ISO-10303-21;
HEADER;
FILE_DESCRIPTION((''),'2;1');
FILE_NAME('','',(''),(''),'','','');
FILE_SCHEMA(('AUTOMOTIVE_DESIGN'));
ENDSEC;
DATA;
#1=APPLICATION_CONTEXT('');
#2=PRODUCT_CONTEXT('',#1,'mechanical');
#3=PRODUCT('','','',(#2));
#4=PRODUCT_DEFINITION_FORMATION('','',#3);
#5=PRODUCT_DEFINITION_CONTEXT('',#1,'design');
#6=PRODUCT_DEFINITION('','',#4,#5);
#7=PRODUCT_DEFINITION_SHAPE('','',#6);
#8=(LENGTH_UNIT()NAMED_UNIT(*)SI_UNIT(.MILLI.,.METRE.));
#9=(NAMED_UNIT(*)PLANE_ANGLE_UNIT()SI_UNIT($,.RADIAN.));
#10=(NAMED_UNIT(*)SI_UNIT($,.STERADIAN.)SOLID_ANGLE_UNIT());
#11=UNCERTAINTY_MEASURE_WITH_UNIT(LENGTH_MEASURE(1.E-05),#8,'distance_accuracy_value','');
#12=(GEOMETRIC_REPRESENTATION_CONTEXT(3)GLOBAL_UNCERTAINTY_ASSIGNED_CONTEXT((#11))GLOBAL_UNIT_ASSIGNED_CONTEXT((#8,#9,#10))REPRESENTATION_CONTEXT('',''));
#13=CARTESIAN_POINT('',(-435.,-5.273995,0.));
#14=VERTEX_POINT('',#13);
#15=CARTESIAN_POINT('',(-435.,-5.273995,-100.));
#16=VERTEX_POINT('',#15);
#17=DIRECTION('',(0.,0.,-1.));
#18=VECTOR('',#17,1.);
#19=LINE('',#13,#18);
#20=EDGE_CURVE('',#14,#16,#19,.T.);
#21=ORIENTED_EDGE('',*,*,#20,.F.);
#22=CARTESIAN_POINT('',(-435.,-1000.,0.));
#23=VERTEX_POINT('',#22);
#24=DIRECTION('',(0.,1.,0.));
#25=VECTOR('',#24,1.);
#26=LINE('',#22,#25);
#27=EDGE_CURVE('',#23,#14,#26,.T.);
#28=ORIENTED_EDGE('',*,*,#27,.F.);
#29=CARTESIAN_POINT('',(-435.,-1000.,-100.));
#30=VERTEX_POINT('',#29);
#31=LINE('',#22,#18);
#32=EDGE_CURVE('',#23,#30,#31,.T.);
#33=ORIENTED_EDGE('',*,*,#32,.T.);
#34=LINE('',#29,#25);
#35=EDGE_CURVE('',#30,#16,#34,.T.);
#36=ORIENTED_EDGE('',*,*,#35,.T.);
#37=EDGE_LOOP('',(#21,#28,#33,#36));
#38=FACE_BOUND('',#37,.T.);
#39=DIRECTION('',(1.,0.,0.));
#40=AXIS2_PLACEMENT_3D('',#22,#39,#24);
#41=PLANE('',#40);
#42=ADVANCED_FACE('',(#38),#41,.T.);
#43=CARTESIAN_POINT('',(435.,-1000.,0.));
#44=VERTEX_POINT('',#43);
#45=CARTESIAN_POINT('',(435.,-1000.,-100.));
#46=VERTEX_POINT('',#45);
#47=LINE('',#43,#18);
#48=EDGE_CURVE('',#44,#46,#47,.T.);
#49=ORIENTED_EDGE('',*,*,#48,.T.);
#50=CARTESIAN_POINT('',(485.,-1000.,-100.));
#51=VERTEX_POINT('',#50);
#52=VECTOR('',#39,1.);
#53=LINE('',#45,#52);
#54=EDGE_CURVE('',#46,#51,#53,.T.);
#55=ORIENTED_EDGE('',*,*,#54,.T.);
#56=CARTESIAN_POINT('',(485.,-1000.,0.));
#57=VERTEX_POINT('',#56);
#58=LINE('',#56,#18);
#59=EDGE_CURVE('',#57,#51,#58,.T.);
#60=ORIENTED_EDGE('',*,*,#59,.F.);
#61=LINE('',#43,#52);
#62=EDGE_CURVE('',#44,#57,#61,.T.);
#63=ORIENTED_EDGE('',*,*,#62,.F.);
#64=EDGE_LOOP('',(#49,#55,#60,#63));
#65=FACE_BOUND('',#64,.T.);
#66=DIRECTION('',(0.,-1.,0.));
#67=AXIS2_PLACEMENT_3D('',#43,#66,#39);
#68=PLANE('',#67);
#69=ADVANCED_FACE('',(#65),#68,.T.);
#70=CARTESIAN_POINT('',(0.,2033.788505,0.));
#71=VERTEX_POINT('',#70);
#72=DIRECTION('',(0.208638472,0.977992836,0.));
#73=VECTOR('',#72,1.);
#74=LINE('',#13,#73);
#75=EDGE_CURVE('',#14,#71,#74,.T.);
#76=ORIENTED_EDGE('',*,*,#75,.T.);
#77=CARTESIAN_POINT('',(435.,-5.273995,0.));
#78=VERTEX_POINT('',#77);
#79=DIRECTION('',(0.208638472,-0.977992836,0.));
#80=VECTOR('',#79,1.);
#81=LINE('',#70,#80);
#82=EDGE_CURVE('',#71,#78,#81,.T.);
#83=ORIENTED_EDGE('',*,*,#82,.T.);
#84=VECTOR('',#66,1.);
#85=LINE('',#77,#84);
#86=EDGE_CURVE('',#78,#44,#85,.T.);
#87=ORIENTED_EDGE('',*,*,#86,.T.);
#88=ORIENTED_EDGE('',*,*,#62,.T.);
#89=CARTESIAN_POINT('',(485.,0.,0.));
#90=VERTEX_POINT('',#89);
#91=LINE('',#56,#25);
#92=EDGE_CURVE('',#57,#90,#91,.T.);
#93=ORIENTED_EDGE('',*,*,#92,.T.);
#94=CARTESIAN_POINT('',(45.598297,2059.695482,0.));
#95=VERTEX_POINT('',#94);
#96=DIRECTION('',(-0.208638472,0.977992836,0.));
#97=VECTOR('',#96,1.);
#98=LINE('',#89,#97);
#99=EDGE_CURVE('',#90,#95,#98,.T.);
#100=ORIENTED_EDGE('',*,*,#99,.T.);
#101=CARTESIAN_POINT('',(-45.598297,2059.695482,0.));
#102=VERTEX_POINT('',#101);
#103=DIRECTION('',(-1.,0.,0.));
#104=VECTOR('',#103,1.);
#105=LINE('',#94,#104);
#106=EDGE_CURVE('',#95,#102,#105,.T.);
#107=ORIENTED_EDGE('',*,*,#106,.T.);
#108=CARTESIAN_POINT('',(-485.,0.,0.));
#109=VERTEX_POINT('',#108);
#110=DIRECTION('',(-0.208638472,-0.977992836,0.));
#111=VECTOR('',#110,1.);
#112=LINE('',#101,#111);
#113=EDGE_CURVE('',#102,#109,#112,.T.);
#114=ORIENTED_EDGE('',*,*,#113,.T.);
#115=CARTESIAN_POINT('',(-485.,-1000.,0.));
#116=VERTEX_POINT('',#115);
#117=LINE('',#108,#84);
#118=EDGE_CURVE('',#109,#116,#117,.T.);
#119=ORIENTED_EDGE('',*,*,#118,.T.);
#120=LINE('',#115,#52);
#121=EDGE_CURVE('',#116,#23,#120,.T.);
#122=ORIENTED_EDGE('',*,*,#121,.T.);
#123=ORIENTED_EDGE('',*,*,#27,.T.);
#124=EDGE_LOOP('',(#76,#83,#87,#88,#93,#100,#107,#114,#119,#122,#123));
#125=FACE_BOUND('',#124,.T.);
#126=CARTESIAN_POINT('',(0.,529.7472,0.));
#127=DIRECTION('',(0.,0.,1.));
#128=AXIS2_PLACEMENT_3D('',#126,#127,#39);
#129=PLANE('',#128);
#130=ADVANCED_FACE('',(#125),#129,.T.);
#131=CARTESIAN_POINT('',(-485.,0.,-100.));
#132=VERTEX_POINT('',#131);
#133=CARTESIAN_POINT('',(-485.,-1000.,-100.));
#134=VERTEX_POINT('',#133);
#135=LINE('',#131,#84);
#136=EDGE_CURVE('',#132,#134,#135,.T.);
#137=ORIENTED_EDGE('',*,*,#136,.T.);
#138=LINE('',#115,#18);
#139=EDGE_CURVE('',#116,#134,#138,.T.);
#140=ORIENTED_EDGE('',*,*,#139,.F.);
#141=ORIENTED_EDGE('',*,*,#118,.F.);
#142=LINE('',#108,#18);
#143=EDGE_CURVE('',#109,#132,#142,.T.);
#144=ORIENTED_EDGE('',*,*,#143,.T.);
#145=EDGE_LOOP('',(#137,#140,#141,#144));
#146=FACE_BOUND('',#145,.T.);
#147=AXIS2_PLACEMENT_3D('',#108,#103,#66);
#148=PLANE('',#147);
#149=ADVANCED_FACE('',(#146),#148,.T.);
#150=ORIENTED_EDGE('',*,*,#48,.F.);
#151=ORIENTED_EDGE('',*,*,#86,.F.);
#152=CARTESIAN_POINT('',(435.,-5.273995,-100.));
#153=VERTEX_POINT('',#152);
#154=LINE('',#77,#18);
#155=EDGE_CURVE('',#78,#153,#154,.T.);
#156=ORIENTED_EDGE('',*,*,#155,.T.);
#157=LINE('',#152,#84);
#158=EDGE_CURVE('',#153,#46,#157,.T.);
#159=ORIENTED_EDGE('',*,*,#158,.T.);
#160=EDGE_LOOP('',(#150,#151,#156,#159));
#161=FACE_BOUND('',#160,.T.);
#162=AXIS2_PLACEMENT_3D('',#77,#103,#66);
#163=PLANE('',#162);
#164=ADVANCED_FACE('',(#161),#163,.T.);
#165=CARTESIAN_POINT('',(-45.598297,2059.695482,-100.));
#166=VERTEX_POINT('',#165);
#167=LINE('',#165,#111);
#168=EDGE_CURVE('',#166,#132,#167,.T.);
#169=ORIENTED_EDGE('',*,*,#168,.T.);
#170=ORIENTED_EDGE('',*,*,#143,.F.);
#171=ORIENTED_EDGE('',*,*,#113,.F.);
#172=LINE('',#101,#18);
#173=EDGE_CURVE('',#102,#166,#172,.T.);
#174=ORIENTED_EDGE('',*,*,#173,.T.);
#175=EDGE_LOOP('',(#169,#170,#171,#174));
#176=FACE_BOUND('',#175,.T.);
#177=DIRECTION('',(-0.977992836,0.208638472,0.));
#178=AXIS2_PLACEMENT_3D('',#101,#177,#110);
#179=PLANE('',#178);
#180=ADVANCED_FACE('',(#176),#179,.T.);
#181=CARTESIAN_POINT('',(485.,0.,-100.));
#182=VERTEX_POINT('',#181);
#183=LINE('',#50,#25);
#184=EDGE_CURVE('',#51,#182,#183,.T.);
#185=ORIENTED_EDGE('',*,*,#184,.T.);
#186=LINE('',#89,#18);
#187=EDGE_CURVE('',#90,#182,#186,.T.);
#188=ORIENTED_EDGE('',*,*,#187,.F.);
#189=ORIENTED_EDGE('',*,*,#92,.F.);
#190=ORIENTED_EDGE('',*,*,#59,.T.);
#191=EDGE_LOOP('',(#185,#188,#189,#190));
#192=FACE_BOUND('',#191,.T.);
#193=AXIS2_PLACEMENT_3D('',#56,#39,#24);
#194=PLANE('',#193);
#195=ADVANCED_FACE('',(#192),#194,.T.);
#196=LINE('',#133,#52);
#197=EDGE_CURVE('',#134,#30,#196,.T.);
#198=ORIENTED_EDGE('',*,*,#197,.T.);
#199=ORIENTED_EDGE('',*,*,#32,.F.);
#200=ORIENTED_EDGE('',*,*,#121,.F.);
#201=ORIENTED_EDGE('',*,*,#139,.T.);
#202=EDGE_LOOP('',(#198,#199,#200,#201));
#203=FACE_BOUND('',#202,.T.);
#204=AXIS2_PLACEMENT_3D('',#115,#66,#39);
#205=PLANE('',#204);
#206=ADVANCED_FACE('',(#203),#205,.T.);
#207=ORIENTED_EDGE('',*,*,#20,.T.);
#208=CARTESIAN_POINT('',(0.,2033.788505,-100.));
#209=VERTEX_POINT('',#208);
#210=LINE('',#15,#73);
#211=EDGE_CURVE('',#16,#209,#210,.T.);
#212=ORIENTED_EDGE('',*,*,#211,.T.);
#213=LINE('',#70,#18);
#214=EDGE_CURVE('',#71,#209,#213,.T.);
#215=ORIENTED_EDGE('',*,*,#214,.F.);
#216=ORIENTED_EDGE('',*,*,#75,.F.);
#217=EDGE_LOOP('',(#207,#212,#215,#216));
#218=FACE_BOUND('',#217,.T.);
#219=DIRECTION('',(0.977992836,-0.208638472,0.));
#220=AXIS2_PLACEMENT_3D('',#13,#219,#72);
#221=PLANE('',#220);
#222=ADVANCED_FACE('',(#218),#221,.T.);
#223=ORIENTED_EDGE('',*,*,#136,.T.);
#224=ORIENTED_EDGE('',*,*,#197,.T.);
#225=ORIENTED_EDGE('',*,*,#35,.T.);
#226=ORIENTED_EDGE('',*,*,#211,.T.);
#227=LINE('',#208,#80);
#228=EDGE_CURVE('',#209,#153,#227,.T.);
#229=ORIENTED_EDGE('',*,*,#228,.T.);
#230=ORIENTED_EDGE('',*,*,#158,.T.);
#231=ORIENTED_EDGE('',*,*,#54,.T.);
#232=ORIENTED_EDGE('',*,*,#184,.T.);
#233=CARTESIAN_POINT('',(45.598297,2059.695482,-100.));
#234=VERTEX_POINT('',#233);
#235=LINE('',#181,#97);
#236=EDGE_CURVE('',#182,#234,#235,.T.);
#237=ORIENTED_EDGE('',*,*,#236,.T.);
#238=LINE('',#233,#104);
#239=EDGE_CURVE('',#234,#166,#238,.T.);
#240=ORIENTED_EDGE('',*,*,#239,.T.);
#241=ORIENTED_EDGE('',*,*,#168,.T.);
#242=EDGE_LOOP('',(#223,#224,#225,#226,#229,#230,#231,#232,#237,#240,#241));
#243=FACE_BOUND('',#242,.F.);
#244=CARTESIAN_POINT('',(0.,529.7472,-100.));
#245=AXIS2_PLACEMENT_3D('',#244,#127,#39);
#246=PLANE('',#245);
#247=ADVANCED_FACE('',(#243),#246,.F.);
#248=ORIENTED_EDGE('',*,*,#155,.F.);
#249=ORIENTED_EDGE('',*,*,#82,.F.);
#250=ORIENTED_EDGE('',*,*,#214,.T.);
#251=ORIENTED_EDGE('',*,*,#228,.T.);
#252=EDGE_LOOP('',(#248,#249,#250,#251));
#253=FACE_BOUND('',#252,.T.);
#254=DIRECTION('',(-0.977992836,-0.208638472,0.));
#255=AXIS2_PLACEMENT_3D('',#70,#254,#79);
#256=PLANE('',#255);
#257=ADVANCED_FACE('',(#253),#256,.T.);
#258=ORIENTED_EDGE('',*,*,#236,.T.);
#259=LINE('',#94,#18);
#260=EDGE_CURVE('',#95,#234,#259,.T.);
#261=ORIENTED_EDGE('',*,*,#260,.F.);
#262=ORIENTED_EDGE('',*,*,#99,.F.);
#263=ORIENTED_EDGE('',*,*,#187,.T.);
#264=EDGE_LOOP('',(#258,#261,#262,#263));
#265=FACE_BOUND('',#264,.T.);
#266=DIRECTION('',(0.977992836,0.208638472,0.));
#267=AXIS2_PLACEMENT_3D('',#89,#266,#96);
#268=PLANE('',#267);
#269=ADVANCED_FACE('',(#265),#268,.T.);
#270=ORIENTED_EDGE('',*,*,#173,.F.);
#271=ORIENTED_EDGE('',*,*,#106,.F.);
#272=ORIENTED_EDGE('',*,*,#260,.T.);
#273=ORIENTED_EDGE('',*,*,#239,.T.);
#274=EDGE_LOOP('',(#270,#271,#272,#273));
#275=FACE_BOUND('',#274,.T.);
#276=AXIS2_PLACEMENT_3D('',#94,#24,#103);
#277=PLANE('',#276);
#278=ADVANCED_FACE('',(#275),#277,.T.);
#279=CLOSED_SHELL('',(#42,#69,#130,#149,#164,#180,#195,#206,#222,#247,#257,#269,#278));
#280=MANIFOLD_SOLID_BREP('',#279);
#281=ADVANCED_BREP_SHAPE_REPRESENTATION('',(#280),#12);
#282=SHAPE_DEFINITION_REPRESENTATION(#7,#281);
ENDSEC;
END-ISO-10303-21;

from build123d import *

# Parameters (mm, degrees)
F1_DEPTH = 100


with BuildPart() as f1:
    # F0 (on Top) → F1 (new body)
    with BuildSketch(Plane.XY):
        Polygon((-485, 0), (-485, -1000), (-435, -1000), (-435, -5.273995), (0, 2033.788505), (435, -5.273995), (435, -1000), (485, -1000), (485, 0), (45.598297, 2059.695482), (-45.598297, 2059.695482), align=None)
    extrude(amount=-F1_DEPTH)


solid = f1.part
